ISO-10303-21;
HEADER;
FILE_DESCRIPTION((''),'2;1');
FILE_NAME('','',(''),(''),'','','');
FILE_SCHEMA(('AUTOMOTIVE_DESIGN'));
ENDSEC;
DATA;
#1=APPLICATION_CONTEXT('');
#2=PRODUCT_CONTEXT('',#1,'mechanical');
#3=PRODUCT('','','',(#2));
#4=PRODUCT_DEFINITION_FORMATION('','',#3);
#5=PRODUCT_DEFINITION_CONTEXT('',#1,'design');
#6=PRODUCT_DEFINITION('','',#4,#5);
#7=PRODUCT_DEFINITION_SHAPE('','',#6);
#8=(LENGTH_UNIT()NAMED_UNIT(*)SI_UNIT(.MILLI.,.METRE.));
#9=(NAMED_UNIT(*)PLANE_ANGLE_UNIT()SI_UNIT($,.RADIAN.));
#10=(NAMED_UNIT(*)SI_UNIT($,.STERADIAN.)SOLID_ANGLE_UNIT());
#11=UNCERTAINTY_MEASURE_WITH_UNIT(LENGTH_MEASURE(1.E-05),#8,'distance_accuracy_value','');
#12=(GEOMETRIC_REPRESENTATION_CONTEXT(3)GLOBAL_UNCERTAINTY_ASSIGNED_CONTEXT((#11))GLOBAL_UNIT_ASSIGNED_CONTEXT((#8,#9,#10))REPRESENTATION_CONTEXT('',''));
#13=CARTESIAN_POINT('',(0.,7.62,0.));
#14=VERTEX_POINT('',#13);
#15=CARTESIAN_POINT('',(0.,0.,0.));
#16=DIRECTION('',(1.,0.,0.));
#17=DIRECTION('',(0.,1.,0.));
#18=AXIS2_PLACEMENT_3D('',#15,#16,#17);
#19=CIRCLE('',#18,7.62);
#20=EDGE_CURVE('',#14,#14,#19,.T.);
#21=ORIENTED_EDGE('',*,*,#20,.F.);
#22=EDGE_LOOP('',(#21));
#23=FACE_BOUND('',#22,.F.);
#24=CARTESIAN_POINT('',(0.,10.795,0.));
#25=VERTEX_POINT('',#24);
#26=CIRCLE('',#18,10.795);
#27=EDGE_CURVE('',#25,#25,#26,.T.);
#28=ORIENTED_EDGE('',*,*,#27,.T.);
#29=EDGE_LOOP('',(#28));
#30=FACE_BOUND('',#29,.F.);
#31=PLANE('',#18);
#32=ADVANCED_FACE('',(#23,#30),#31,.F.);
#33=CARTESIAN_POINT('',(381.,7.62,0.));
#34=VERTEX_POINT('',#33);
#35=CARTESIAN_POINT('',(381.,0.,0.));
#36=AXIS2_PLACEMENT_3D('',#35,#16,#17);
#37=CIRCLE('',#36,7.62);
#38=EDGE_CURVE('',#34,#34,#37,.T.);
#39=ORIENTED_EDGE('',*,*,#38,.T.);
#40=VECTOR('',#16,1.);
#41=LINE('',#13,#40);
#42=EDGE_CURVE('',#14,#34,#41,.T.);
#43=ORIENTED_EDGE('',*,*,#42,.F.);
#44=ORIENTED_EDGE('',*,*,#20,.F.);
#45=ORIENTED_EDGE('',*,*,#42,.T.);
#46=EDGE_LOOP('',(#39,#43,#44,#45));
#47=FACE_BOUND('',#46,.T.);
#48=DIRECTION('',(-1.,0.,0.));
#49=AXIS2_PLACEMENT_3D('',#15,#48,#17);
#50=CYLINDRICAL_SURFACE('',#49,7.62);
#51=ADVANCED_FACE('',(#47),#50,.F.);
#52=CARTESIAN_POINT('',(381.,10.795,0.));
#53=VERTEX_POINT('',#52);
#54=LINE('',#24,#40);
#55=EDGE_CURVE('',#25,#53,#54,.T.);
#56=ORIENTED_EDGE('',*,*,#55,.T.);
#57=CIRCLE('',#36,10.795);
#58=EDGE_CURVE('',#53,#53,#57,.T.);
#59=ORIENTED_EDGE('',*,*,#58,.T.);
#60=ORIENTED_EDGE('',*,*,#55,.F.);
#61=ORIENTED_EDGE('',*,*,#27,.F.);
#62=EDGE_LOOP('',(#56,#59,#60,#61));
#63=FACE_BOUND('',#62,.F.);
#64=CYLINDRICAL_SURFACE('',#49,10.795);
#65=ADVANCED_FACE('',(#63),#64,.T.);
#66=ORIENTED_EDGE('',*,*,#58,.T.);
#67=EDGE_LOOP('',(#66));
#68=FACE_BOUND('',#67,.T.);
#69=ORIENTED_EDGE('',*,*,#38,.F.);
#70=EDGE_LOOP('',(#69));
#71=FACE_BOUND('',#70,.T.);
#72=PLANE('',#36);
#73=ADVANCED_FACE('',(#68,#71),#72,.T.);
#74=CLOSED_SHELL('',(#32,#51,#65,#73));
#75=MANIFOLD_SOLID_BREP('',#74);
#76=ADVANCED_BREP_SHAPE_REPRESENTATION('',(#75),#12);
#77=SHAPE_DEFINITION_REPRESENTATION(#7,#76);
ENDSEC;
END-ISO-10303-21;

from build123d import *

# Parameters (mm, degrees)
F0_R     = 10.795
F1_DEPTH = 381
F2_T     = -3.175


with BuildPart() as f1:
    # F0 (on Right) → F1 (new body)
    with BuildSketch(Plane.YZ):
        Circle(F0_R)
    extrude(amount=F1_DEPTH)

    # F2
    f2_openings = [f1.faces().sort_by_distance(p)[0] for p in [
        (381, 0, 0),
        (0, 0, 0),
    ]]
    offset(amount=F2_T, openings=f2_openings)


solid = f1.part
